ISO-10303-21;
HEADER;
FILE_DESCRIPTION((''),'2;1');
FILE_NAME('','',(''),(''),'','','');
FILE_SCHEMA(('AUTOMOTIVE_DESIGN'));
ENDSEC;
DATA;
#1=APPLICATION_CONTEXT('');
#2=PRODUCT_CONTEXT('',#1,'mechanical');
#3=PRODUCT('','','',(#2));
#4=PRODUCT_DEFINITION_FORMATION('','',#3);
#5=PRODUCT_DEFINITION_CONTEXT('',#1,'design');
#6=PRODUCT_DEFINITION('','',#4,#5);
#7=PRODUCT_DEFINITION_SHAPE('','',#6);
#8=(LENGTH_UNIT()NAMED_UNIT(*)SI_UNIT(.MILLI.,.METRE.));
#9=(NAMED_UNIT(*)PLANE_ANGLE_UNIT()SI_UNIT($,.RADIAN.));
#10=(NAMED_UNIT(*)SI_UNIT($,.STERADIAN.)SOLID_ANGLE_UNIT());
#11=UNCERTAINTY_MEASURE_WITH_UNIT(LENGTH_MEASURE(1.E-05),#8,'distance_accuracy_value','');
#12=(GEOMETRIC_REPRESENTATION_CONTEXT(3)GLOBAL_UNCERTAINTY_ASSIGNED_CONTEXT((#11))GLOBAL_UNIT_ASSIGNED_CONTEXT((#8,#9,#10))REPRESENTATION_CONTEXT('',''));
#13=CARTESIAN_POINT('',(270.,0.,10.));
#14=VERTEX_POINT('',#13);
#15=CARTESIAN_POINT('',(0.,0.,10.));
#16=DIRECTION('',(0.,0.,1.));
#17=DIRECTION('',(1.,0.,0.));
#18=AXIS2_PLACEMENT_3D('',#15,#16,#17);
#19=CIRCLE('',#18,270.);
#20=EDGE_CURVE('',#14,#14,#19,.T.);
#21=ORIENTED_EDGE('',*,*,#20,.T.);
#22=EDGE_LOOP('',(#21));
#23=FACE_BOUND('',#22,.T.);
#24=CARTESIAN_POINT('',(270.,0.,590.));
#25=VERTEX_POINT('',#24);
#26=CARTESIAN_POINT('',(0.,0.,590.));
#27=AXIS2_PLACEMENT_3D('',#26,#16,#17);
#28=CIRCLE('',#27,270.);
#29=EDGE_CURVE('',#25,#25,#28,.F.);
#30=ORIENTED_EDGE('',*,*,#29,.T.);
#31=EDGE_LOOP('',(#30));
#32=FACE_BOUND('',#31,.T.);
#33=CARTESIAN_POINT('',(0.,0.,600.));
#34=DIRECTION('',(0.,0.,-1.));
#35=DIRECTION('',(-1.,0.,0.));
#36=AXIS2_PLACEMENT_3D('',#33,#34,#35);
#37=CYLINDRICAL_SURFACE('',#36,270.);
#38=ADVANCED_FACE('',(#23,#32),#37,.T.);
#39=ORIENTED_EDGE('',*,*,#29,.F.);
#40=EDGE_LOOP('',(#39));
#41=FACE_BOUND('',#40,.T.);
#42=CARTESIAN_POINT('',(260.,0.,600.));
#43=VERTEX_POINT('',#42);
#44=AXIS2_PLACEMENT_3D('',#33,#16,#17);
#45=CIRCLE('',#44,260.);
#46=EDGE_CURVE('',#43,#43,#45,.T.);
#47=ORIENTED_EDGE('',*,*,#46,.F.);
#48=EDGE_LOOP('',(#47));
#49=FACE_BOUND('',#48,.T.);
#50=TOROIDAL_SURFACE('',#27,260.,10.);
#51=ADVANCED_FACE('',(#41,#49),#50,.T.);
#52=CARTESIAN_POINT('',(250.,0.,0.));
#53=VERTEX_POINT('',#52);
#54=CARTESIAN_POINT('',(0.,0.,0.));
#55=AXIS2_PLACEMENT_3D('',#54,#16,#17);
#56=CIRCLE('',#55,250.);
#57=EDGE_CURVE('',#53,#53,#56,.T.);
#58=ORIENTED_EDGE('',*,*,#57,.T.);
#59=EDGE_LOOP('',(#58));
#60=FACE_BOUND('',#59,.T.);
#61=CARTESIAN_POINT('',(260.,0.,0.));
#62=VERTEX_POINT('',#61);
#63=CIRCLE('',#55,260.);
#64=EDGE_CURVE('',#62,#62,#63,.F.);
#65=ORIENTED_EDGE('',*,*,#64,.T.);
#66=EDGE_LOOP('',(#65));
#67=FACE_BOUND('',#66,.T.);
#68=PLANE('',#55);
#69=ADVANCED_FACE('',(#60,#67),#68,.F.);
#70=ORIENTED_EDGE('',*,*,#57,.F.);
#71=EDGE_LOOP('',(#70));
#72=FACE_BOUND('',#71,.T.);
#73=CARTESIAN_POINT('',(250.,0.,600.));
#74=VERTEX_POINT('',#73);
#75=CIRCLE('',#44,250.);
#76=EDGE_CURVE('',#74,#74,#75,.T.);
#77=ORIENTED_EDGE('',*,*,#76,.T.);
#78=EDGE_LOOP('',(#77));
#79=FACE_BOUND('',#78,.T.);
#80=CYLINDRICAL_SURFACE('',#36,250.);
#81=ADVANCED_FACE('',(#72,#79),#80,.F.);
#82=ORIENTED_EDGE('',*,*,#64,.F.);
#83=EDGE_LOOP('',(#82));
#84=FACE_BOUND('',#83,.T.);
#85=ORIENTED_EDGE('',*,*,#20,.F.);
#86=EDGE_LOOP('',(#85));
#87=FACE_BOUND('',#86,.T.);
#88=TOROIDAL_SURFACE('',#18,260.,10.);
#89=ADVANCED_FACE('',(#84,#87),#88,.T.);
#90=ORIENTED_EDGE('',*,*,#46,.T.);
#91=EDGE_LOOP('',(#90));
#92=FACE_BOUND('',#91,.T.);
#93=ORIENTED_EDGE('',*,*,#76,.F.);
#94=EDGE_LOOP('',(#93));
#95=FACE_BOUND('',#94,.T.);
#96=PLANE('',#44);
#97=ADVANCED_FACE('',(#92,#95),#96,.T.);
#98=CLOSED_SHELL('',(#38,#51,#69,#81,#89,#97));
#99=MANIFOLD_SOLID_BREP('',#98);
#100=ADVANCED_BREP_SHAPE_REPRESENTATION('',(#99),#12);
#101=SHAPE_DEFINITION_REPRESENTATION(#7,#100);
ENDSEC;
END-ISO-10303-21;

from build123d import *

# Parameters (mm, degrees)
SKETCH1_R           = 270
SKETCH1_R_2         = 250
EXTRUDE_THIN1_DEPTH = 600
FILLET1_R           = 10


with BuildPart() as part:
    # Sketch1 → Extrude-Thin1 (new body)
    with BuildSketch(Plane.XY):
        Circle(SKETCH1_R)
        Circle(SKETCH1_R_2, mode=Mode.SUBTRACT)
    extrude(amount=EXTRUDE_THIN1_DEPTH)

    # Fillet1
    fillet1_edges = [part.edges().sort_by_distance(p)[0] for p in [
        (-270, 0, 0),
        (-270, 0, 600),
    ]]
    fillet(fillet1_edges, radius=FILLET1_R)


solid = part.part
